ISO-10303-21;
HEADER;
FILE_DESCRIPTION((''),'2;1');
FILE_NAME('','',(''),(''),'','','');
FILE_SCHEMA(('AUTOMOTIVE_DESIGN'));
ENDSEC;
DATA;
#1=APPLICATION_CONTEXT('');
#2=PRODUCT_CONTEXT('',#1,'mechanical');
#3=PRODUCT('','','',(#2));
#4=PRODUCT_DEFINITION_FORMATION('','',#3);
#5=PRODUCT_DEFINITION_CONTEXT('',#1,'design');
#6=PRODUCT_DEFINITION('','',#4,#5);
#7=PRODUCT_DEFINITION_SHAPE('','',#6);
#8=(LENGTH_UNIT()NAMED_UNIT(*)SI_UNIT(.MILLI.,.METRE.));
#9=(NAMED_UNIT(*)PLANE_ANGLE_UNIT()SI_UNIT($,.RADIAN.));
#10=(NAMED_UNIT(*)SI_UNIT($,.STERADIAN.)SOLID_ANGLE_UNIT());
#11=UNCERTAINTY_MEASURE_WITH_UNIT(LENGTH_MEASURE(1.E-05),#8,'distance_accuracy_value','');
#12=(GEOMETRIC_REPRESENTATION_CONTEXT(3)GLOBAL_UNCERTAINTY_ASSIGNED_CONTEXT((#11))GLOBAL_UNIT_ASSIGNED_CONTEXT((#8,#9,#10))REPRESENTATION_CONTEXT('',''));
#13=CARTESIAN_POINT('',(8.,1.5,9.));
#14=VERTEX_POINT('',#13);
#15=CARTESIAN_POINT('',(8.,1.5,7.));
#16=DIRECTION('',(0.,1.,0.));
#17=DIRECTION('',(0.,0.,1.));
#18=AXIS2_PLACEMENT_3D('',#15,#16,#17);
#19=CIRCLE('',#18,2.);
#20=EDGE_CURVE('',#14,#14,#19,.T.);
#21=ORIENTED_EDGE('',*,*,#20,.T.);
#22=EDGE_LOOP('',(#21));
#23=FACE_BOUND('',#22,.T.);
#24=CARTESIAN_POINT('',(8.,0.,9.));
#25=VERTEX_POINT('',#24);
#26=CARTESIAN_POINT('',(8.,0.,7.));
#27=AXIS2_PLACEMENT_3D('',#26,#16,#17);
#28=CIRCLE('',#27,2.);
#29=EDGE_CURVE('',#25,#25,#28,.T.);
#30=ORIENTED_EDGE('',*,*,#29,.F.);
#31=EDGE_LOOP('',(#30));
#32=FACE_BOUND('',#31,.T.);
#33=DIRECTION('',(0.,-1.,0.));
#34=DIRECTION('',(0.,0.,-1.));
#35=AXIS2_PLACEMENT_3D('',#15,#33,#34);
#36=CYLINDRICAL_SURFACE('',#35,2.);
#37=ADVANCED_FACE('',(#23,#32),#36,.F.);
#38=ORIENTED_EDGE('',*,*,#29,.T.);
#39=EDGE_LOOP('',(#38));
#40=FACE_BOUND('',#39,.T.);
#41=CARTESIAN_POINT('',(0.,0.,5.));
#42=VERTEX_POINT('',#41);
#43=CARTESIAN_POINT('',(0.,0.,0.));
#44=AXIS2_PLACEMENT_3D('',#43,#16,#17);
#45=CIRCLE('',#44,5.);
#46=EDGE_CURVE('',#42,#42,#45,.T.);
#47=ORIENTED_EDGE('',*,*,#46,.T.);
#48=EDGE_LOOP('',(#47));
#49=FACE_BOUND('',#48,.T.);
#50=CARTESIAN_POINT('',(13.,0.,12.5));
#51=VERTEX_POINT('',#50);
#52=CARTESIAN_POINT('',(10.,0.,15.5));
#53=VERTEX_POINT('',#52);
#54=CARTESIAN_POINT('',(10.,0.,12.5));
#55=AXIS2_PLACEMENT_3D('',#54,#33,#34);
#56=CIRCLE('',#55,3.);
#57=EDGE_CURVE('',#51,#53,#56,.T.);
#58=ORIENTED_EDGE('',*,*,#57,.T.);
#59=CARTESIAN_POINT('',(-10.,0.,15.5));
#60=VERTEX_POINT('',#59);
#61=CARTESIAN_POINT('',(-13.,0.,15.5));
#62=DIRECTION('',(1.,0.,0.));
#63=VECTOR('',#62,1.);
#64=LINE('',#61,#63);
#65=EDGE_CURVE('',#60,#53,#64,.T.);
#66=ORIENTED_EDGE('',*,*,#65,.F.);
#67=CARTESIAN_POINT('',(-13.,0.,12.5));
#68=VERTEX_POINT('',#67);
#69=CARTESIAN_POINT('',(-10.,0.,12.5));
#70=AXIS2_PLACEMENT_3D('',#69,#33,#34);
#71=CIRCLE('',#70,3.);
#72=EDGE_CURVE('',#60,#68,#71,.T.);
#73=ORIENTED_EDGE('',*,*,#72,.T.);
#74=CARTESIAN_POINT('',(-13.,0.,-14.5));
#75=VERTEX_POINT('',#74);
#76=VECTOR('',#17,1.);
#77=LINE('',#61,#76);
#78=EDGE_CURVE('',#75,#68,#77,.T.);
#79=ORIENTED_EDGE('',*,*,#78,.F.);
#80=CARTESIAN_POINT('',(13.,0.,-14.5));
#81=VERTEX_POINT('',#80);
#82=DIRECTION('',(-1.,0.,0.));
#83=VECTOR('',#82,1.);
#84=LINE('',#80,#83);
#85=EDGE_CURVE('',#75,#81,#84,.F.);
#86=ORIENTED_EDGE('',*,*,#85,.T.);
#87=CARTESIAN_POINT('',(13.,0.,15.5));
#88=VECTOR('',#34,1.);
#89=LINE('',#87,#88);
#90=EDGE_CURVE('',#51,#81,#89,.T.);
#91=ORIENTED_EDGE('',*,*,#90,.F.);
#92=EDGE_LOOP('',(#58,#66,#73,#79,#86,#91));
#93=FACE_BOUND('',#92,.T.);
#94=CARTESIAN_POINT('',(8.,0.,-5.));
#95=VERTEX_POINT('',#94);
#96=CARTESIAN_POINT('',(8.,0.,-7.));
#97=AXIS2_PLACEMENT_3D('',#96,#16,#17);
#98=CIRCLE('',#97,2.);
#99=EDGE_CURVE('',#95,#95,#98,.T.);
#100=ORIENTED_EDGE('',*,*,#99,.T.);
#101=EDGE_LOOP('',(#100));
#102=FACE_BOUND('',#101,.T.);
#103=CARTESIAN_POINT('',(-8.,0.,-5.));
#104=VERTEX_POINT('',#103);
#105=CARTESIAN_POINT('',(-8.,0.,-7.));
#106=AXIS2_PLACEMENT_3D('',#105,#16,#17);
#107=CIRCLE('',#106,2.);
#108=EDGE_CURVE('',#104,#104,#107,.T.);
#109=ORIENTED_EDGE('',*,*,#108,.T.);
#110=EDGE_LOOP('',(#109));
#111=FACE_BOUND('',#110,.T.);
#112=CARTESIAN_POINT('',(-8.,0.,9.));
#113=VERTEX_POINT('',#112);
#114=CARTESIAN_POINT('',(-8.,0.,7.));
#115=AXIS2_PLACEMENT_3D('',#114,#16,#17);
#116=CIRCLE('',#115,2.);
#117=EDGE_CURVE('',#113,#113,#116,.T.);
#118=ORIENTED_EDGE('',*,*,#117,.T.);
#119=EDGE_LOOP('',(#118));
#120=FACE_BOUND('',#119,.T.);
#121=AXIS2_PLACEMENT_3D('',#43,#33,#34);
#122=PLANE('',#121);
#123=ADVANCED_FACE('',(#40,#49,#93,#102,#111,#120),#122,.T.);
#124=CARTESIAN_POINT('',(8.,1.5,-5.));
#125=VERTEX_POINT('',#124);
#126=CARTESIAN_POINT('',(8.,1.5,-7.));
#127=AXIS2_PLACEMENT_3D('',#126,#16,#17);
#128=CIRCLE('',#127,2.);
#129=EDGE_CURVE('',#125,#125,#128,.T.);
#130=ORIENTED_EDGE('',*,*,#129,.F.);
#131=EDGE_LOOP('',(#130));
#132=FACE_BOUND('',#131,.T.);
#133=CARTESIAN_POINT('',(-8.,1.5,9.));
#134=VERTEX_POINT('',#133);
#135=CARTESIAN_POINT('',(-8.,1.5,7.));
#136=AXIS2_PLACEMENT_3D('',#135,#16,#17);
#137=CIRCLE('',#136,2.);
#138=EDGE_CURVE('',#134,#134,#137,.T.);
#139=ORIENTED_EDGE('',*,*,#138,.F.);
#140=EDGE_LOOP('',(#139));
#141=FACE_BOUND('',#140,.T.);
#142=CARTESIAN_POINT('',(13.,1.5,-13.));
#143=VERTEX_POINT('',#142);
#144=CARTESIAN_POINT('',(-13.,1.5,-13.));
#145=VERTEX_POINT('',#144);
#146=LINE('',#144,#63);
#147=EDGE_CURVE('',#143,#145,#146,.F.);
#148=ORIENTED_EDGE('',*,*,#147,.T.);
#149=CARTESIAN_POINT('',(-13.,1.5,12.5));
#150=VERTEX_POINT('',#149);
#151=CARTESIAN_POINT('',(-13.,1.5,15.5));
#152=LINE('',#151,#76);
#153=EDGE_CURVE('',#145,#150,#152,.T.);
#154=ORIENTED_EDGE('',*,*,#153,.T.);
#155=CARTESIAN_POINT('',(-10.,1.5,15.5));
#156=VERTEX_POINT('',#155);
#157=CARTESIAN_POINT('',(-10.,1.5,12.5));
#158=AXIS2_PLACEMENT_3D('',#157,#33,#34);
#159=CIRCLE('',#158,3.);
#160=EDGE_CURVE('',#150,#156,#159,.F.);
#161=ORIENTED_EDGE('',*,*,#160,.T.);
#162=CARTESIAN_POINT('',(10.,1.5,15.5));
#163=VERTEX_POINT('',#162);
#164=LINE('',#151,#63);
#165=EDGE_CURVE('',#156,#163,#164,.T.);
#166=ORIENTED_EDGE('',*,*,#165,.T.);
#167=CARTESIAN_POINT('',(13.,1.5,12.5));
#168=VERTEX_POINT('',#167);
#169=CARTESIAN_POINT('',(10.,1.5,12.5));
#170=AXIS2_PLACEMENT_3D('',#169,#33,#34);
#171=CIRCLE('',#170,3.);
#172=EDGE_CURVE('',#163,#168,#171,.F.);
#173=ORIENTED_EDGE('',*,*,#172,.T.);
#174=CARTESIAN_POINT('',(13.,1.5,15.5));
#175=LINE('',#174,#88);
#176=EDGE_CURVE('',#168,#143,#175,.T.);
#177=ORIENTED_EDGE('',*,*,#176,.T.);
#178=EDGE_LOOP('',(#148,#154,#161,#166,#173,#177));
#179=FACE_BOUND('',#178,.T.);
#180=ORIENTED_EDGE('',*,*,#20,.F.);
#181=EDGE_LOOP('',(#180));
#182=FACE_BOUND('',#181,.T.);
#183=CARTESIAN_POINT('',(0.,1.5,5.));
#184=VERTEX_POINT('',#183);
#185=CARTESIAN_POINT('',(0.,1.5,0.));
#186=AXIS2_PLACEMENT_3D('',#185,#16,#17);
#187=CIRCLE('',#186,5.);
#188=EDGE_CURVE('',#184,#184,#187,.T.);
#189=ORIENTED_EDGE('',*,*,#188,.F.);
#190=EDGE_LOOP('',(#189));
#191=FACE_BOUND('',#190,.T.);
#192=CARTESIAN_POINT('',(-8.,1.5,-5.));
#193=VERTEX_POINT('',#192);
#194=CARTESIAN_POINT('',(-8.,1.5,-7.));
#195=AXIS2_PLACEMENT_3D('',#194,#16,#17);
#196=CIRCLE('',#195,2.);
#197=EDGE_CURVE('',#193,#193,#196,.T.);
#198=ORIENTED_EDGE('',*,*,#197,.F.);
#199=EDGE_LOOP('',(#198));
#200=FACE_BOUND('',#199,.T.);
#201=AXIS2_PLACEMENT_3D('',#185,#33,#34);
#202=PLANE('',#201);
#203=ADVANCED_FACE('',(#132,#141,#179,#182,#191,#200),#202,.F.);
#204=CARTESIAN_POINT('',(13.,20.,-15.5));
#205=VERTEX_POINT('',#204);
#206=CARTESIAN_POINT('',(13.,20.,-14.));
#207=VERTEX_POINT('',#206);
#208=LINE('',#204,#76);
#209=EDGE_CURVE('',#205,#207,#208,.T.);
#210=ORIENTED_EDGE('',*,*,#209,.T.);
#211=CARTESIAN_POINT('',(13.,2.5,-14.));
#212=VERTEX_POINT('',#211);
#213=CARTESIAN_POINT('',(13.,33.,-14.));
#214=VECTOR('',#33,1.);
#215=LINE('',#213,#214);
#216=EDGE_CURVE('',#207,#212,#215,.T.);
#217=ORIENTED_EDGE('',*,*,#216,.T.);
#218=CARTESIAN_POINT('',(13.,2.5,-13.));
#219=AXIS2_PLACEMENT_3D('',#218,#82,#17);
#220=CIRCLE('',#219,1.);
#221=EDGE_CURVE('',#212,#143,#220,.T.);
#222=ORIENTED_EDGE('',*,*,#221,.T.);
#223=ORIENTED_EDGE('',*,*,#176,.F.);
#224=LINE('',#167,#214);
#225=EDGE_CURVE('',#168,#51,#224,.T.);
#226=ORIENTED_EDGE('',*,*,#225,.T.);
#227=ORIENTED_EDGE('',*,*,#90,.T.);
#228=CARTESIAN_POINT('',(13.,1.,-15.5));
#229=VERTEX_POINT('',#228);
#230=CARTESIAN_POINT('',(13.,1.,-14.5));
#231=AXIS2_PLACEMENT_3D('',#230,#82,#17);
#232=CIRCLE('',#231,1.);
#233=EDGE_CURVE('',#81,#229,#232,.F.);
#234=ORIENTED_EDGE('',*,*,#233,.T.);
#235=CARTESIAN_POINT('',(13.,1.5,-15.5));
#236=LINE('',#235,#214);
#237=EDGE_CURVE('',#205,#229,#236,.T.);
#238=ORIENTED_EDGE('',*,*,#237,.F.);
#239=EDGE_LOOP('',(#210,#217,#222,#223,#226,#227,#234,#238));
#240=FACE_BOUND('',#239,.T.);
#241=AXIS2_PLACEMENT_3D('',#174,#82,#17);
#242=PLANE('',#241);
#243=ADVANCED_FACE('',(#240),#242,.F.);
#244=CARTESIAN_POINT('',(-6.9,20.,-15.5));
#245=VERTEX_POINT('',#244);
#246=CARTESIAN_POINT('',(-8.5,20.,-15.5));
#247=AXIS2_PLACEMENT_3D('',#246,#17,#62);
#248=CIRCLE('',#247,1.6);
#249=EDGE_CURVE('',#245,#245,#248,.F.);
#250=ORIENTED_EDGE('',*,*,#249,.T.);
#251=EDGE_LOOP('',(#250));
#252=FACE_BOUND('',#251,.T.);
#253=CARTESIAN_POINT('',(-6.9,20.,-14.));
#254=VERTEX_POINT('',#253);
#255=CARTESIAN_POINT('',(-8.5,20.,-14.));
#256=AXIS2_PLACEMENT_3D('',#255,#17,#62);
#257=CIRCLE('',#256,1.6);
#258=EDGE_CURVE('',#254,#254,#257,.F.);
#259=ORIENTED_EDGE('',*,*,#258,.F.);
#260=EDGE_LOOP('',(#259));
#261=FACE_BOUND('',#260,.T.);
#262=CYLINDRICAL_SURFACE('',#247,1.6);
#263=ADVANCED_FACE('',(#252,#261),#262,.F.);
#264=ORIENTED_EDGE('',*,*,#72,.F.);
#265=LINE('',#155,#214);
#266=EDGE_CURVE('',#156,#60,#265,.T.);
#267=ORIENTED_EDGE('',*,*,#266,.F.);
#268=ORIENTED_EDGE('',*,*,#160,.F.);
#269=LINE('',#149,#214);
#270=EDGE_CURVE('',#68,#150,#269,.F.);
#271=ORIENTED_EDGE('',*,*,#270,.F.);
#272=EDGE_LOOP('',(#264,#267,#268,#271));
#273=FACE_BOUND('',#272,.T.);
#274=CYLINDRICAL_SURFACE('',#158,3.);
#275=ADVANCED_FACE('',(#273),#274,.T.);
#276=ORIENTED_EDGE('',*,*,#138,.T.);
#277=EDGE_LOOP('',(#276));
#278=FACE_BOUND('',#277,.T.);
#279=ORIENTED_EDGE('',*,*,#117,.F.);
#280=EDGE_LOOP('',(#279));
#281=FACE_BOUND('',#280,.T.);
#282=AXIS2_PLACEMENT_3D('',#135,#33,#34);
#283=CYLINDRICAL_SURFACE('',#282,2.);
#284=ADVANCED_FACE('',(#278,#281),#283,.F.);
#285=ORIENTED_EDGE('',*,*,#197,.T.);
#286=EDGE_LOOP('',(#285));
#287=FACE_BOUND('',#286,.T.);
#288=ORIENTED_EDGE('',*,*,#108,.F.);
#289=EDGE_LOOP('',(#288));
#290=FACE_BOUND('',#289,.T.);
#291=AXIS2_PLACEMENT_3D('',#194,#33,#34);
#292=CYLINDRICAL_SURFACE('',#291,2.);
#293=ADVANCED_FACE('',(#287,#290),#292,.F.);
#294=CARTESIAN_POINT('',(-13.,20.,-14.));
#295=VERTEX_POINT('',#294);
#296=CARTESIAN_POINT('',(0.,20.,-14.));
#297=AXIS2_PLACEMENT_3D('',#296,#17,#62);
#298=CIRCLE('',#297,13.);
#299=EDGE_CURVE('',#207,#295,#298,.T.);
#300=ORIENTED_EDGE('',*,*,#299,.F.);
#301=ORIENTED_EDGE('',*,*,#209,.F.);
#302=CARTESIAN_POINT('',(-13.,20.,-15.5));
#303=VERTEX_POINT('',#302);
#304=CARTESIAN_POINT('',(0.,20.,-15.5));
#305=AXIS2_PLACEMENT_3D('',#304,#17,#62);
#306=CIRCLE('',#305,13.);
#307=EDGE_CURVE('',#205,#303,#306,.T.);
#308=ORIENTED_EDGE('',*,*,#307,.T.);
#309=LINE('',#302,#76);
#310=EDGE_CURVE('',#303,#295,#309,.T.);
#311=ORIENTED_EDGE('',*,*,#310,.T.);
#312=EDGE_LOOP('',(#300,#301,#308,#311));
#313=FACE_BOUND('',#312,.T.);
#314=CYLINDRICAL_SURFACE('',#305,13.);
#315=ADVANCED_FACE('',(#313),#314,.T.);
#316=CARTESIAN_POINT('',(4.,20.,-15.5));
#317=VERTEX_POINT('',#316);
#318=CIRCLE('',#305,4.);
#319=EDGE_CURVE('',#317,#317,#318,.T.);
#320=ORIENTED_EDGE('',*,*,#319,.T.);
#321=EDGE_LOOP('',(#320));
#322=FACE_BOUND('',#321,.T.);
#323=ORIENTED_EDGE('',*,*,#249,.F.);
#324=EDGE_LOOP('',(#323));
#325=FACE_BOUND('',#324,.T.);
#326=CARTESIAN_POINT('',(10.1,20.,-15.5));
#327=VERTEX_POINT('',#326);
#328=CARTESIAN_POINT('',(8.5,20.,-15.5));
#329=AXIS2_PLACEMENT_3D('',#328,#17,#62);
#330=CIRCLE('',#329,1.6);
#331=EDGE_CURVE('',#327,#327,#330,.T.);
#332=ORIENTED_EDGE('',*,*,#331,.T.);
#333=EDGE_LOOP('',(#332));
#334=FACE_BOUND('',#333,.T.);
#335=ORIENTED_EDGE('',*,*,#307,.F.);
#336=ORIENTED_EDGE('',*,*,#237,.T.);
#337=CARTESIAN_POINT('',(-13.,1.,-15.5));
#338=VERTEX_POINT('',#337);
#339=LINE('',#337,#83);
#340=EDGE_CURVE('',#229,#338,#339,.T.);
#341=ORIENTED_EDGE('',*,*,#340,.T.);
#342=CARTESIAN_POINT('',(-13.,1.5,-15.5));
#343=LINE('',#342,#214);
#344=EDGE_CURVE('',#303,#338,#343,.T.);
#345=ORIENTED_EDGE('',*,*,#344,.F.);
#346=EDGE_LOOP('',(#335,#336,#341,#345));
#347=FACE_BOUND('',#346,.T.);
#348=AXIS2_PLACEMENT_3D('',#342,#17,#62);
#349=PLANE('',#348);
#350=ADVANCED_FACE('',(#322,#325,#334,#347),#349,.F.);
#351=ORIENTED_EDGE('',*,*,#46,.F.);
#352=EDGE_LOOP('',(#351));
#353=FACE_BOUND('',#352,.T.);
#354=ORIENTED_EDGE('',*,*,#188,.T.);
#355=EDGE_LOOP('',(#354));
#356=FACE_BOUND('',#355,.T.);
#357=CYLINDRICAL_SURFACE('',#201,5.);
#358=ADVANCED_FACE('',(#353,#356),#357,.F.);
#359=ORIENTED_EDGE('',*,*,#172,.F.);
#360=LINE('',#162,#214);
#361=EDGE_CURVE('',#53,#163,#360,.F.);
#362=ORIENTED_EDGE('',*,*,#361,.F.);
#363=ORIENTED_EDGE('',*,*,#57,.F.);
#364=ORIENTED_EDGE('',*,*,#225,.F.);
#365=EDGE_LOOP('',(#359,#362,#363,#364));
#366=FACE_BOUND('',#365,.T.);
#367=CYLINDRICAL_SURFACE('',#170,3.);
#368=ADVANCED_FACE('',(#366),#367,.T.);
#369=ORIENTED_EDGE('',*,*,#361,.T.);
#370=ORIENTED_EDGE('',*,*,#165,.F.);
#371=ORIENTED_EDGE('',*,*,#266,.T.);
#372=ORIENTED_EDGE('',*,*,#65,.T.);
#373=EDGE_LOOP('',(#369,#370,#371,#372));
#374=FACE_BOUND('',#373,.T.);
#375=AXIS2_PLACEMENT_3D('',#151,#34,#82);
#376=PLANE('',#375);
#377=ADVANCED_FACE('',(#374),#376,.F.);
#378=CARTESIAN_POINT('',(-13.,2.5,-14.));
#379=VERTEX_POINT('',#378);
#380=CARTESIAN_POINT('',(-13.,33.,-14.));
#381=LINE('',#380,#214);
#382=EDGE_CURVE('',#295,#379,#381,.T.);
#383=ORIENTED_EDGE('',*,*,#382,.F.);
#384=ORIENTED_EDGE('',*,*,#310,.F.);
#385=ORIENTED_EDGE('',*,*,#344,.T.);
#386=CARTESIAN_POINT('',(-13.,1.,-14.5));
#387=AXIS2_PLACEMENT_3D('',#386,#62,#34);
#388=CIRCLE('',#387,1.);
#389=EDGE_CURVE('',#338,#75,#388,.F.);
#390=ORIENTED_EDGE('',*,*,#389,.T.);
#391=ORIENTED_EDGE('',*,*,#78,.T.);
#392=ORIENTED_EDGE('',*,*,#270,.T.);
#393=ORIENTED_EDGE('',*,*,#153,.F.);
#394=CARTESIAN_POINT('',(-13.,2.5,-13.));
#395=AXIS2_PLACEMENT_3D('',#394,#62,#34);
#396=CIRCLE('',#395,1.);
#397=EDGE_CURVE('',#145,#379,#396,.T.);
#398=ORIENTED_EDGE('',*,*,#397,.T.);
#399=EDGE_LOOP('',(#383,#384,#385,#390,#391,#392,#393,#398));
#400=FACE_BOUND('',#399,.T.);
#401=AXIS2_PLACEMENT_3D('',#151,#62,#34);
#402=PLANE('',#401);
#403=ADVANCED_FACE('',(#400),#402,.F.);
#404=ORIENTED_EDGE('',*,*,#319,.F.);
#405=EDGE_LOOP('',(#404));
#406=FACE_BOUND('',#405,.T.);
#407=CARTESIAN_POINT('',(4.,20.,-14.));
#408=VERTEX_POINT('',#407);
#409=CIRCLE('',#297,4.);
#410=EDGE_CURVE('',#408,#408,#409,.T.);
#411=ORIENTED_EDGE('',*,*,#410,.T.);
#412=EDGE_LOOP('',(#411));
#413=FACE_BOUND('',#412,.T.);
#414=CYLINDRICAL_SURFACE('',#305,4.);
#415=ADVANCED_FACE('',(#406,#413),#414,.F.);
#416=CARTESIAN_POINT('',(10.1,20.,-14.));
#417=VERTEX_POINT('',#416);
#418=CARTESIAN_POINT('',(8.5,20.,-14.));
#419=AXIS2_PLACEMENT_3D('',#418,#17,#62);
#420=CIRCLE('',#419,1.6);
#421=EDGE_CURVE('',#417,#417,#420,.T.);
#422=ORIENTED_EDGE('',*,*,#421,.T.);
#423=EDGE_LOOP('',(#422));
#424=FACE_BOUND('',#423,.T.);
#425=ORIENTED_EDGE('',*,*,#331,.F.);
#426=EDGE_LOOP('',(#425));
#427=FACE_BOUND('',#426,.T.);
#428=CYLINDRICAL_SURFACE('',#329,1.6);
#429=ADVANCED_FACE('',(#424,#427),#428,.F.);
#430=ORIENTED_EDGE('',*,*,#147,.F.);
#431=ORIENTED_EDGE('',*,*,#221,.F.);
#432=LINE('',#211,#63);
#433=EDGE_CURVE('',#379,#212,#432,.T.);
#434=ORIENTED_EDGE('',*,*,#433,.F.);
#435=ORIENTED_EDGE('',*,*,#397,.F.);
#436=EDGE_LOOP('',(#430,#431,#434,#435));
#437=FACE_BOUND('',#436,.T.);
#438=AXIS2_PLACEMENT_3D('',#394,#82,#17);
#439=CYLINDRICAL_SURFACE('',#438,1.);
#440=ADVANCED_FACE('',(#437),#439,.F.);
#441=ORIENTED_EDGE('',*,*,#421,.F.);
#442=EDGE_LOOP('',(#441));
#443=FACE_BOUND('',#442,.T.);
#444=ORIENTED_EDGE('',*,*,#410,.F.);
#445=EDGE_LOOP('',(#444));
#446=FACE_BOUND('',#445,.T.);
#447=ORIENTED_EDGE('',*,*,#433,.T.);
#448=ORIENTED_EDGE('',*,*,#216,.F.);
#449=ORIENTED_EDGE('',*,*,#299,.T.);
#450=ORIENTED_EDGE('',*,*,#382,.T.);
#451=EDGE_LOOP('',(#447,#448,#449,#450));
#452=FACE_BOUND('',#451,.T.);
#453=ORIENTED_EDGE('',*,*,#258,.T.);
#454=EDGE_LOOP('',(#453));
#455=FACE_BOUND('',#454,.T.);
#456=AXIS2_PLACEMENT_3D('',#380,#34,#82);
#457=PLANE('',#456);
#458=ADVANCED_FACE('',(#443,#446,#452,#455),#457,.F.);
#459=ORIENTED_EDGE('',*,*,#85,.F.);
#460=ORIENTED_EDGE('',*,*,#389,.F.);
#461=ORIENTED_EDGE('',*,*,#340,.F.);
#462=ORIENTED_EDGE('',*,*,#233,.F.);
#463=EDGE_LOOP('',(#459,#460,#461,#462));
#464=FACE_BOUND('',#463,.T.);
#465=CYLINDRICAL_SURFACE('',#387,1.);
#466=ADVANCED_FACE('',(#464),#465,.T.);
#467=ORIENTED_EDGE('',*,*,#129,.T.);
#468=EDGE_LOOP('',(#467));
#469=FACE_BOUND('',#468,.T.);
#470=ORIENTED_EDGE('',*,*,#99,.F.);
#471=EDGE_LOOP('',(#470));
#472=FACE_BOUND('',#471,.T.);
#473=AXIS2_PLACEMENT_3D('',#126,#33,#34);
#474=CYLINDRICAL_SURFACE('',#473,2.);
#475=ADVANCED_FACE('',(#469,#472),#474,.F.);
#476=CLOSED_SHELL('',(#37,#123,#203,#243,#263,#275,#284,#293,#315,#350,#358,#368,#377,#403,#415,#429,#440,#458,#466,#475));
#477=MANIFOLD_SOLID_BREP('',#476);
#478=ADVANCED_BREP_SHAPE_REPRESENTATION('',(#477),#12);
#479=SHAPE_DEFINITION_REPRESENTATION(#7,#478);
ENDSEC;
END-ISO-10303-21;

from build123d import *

# Parameters (mm, degrees)
SKETCH1_W           = 26
SKETCH1_H           = 31
SKETCH1_R           = 5
SKETCH1_R_2         = 2
BOSS_EXTRUDE1_DEPTH = 1.5
SKETCH2_W           = 26
SKETCH2_H           = 1.5
BOSS_EXTRUDE2_DEPTH = 31.5
SKETCH3_R           = 1.6
SKETCH3_R_2         = 4
CUT_EXTRUDE1_DEPTH  = 1.5
FILLET1_R           = 1
FILLET2_R           = 3


with BuildPart() as part:
    # Sketch1 → Boss-Extrude1 (new body)
    with BuildSketch(Plane(origin=(0, 0, 0), x_dir=(1, 0, 0), z_dir=(0, 1, 0))):
        Rectangle(SKETCH1_W, SKETCH1_H)
        with Locations(Location((0, 0, 0), (0, 0, 270))):
            Circle(SKETCH1_R, mode=Mode.SUBTRACT)
        with Locations(Location((-8, 7, 0), (0, 0, 270))):
            Circle(SKETCH1_R_2, mode=Mode.SUBTRACT)
        with Locations(Location((8, 7, 0), (0, 0, 270))):
            Circle(SKETCH1_R_2, mode=Mode.SUBTRACT)
        with Locations(Location((-8, -7, 0), (0, 0, 270))):
            Circle(SKETCH1_R_2, mode=Mode.SUBTRACT)
        with Locations(Location((8, -7, 0), (0, 0, 270))):
            Circle(SKETCH1_R_2, mode=Mode.SUBTRACT)
    extrude(amount=BOSS_EXTRUDE1_DEPTH)

    # Sketch2 → Boss-Extrude2 (add)
    with BuildSketch(Plane(origin=(0, 1.5, 0), x_dir=(1, 0, 0), z_dir=(0, 1, 0))):
        with Locations((0, 14.75)):
            Rectangle(SKETCH2_W, SKETCH2_H)
    extrude(amount=BOSS_EXTRUDE2_DEPTH)

    # Sketch3 → Cut-Extrude1 (cut)
    with BuildSketch(Plane.XY.offset(-14)):
        with BuildLine():
            Line((-13, 33), (-13, 20))
            ThreePointArc((-13, 20), (-9.192388155, 29.192388155), (0, 33))
            Line((0, 33), (-13, 33))
        make_face()
        with BuildLine():
            Line((13, 33), (0, 33))
            ThreePointArc((0, 33), (9.192388155, 29.192388155), (13, 20))
            Line((13, 20), (13, 33))
        make_face()
        with Locations((-8.5, 20)):
            Circle(SKETCH3_R)
        with Locations((0, 20)):
            Circle(SKETCH3_R_2)
        with Locations((8.5, 20)):
            Circle(SKETCH3_R)
    extrude(amount=-CUT_EXTRUDE1_DEPTH, mode=Mode.SUBTRACT)

    # Fillet1
    fillet1_edges = [part.edges().sort_by_distance(p)[0] for p in [
        (0, 1.5, -14),
        (0, 0, -15.5),
    ]]
    fillet(fillet1_edges, radius=FILLET1_R)

    # Fillet2
    fillet2_edges = [part.edges().sort_by_distance(p)[0] for p in [
        (13, 0.75, 15.5),
        (-13, 0.75, 15.5),
    ]]
    fillet(fillet2_edges, radius=FILLET2_R)


solid = part.part
